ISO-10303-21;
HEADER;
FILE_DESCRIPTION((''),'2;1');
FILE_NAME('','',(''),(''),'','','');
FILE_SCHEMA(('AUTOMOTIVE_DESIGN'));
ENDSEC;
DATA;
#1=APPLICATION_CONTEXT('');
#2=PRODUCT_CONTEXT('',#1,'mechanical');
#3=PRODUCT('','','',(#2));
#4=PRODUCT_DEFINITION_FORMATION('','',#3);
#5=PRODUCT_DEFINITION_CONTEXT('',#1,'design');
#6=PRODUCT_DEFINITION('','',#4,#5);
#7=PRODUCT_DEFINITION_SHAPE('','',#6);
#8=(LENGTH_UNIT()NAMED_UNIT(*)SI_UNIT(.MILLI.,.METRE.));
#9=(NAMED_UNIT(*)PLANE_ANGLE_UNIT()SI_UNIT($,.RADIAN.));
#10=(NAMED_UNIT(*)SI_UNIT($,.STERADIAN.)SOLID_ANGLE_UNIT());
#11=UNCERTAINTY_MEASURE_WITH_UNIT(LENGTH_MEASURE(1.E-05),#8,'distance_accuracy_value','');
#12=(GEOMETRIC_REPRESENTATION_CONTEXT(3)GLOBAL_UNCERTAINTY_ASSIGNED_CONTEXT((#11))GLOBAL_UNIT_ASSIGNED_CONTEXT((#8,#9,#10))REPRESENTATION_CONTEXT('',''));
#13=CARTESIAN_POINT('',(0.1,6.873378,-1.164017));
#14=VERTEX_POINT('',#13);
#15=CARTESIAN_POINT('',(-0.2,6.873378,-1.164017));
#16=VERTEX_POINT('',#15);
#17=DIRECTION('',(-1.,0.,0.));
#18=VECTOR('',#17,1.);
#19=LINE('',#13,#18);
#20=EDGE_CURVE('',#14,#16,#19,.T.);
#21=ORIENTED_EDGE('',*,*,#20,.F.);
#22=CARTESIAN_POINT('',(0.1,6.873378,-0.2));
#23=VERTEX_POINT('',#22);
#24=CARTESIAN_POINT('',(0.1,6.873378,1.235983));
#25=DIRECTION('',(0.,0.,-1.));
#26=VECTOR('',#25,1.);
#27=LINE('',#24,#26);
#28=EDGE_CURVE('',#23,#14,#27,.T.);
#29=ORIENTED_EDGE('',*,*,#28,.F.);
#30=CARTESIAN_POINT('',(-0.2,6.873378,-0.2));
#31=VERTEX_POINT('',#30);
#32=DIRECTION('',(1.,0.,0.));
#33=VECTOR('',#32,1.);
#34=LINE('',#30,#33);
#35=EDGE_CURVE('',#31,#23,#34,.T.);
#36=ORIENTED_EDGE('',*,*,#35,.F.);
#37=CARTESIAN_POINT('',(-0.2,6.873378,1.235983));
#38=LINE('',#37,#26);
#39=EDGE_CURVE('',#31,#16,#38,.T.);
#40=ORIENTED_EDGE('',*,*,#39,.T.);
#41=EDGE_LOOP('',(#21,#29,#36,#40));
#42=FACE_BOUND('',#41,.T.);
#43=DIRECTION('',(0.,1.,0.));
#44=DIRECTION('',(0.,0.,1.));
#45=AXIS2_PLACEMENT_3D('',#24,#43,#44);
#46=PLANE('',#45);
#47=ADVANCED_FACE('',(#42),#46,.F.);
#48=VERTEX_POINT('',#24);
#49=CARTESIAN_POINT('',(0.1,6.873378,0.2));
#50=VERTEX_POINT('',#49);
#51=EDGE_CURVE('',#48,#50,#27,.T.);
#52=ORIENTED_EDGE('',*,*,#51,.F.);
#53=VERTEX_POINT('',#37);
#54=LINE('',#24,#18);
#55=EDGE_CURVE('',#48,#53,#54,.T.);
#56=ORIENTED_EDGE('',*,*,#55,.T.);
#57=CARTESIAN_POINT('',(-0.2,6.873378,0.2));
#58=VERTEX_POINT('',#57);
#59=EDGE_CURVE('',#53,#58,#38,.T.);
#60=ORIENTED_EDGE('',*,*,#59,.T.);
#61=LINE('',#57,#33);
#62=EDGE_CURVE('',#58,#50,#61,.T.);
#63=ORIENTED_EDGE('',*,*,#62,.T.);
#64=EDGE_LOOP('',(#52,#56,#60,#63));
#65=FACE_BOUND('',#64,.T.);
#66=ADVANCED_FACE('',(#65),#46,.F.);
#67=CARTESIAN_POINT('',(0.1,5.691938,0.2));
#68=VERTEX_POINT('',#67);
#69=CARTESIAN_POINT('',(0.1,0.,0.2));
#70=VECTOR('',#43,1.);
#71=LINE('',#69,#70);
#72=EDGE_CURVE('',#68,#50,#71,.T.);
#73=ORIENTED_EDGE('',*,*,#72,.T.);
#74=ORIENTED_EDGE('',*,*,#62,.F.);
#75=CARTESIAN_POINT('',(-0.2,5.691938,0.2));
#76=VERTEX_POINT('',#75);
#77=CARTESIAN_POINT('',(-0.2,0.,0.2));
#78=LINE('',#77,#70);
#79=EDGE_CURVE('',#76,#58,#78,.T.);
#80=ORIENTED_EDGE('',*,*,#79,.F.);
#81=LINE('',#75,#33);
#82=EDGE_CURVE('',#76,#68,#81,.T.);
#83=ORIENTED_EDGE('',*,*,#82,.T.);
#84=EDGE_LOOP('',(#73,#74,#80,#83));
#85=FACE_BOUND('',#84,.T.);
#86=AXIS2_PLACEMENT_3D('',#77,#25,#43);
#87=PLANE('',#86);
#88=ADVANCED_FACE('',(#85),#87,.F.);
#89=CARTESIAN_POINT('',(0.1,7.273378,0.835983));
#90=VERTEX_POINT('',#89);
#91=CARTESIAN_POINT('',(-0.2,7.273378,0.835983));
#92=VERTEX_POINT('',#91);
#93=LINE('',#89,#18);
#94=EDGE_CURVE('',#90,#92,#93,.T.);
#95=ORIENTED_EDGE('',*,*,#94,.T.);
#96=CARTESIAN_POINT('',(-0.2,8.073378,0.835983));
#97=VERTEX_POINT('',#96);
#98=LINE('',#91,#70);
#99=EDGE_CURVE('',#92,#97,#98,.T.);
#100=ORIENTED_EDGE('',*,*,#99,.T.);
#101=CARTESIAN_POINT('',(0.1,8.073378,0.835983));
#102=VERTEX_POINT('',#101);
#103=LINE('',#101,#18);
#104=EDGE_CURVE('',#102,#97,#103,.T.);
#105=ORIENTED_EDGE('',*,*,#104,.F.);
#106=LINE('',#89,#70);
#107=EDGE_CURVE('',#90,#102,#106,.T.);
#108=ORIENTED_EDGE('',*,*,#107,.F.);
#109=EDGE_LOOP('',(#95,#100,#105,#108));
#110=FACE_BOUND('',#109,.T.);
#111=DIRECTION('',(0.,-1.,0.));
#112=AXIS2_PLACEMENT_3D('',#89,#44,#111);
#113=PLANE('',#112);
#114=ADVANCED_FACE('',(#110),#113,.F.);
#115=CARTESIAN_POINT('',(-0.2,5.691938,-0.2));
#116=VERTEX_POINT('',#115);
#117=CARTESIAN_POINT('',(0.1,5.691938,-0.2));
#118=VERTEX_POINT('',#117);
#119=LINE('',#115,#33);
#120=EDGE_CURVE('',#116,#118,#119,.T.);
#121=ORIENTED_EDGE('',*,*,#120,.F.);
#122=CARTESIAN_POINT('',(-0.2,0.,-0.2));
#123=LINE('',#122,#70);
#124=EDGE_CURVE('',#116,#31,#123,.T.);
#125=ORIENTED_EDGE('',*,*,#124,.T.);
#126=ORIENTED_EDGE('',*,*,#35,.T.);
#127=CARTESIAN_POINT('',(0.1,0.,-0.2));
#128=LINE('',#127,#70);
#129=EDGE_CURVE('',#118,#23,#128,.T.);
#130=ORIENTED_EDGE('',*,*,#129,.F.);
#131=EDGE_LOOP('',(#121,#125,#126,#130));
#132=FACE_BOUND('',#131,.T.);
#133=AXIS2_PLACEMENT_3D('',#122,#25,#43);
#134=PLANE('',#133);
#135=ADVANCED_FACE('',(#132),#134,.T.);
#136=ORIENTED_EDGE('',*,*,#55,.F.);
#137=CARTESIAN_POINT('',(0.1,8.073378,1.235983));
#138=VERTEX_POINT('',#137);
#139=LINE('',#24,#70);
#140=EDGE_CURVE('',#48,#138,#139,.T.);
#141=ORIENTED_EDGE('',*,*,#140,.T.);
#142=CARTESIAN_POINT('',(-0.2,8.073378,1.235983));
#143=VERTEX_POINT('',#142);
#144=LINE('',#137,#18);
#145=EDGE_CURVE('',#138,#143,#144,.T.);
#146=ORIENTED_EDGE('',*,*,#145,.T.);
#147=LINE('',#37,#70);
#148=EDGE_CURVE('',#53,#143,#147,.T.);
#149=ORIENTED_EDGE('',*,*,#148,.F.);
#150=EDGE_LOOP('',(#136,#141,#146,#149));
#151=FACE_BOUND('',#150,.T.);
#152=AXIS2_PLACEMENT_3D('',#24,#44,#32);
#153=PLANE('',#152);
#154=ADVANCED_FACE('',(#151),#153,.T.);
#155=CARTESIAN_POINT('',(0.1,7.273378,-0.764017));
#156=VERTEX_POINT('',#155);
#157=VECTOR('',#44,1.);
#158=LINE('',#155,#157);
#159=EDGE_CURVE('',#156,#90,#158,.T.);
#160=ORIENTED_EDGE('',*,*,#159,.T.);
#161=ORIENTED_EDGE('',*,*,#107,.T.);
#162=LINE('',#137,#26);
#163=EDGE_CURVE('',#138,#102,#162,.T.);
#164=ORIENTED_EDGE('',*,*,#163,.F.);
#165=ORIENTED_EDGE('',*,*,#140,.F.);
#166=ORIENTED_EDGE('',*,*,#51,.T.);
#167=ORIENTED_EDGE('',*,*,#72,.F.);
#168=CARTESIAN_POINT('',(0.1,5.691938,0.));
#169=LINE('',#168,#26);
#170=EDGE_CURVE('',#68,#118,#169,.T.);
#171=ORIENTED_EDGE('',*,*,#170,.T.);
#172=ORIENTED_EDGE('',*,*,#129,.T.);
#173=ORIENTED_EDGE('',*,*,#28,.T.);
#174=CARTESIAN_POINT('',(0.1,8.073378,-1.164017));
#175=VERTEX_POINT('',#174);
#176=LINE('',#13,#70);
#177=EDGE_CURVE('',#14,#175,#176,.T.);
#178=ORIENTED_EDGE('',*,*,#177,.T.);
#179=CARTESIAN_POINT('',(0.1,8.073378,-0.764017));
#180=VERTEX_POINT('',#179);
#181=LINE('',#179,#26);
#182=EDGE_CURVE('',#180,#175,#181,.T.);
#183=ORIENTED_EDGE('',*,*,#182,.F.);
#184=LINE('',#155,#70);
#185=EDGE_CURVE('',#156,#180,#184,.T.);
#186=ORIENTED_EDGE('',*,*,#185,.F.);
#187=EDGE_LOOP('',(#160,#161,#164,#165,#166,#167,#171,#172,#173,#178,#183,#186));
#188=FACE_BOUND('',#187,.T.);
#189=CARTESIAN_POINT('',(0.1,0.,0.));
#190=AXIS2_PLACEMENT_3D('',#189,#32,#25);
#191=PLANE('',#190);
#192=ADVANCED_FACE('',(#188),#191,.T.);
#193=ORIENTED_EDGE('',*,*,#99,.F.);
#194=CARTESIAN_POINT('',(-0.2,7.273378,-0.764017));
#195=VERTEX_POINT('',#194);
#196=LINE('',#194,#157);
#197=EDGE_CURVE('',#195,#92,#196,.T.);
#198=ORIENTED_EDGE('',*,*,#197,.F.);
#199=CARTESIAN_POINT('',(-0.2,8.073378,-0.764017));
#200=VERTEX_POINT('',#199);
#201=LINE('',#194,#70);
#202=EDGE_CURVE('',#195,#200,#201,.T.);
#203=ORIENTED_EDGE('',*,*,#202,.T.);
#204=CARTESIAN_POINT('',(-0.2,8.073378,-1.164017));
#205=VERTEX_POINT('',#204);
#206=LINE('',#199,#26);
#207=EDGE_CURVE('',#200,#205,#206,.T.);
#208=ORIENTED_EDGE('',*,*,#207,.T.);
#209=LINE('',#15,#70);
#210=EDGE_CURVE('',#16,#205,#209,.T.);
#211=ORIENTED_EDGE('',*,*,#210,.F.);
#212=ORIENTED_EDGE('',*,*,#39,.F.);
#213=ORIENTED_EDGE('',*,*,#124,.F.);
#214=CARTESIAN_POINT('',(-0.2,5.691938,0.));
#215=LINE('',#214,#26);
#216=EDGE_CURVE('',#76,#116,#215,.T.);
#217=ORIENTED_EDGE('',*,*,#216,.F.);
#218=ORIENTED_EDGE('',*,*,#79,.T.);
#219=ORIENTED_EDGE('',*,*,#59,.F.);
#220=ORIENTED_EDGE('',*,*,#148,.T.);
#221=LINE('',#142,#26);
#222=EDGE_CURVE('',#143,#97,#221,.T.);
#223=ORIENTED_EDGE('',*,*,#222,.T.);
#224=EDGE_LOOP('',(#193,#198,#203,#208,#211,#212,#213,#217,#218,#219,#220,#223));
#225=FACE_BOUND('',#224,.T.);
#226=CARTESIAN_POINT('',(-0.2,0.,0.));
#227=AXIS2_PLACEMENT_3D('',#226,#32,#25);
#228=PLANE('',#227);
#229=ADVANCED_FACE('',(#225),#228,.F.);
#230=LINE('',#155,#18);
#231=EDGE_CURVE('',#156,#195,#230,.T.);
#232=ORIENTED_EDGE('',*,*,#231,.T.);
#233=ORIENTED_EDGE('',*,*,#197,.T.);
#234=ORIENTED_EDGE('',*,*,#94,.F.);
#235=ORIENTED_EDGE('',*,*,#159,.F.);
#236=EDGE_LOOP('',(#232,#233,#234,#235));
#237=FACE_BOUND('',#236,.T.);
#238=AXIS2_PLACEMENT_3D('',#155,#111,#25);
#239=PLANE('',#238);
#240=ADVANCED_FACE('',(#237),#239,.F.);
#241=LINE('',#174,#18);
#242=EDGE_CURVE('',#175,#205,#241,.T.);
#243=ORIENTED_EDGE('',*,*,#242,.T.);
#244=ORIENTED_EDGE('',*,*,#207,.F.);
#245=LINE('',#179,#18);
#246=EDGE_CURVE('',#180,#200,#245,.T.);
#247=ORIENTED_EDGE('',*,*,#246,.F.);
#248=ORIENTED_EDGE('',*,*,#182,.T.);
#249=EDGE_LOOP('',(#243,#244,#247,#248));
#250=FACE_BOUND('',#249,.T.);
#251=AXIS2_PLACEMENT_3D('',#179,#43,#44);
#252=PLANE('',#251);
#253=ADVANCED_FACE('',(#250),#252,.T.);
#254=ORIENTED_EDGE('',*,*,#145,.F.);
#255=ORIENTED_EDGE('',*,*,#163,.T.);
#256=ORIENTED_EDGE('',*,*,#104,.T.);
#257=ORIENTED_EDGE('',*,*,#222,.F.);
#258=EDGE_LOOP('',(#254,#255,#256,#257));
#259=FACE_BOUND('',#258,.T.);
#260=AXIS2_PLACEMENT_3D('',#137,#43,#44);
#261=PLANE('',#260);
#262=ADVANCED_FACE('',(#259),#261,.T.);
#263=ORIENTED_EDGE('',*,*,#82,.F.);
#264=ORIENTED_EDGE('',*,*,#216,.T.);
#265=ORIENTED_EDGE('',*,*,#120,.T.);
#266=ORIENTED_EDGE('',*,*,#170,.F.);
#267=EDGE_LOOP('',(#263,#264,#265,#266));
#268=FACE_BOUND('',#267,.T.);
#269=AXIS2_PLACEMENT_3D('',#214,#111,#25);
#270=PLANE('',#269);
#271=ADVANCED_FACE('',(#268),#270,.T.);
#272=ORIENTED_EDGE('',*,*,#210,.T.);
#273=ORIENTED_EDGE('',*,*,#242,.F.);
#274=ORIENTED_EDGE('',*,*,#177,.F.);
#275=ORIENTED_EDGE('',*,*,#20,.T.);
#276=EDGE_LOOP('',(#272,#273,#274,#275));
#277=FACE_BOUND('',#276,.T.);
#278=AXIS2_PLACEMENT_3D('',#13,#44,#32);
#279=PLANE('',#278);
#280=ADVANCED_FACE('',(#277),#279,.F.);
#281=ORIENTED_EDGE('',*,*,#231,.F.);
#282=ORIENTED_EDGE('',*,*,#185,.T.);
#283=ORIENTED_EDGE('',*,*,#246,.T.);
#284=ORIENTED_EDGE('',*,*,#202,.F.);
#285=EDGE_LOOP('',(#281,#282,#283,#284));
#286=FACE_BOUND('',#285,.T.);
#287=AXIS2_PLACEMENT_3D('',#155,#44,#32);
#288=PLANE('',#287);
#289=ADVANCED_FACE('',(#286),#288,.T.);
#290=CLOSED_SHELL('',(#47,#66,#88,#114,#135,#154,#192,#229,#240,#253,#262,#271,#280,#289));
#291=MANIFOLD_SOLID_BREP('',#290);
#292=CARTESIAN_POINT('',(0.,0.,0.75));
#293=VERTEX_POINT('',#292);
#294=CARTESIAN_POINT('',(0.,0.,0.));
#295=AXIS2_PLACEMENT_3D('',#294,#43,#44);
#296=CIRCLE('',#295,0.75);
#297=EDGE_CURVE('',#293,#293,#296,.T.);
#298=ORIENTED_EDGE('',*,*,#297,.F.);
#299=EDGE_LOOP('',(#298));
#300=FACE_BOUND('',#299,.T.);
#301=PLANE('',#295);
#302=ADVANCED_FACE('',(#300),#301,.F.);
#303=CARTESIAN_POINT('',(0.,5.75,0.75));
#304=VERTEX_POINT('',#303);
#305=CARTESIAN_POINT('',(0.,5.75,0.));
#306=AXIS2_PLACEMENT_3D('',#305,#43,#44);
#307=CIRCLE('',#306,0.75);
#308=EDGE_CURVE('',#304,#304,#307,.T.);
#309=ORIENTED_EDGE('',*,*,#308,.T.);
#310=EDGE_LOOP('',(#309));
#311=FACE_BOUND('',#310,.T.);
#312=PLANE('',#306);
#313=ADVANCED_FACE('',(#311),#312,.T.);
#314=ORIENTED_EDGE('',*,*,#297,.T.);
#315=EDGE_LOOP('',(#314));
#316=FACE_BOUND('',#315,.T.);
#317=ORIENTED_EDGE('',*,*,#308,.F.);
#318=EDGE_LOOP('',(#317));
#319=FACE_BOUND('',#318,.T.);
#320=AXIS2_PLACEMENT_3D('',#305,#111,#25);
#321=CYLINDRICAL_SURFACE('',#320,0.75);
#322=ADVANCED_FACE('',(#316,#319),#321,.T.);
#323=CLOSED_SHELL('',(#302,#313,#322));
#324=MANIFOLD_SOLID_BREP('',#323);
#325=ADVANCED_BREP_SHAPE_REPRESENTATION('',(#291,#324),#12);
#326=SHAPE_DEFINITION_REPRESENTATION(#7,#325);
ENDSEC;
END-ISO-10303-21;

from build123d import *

# Parameters (mm, degrees)
SKETCH_1_R           = 0.75
EXTRUDE_1_DEPTH      = 5.75
EXTRUDE_3_DEPTH      = 0.1
EXTRUDE_3_DEPTH_BACK = 0.2


with BuildPart() as part:
    # 草图1 → 凸台-拉伸1 (new body)
    with BuildSketch(Plane(origin=(0, 0, 0), x_dir=(1, 0, 0), z_dir=(0, 1, 0))):
        Circle(SKETCH_1_R)
    extrude(amount=EXTRUDE_1_DEPTH)


with BuildPart() as body_2:
    # 草图2 → 凸台-拉伸3 (new body, two sides)
    with BuildSketch(Plane(origin=(0, 0, 0), x_dir=(0, 0, -1), z_dir=(1, 0, 0))) as extrude_3_sk:
        Polygon((-1.235982944, 8.073377801), (-1.235982944, 6.873377801), (-0.2, 6.873377801), (-0.2, 5.691937795), (0.2, 5.691937795), (0.2, 6.873377801), (1.164017056, 6.873377801), (1.164017056, 8.073377801), (0.764017056, 8.073377801), (0.764017056, 7.273377801), (-0.835982944, 7.273377801), (-0.835982944, 8.073377801), align=None)
    extrude(amount=EXTRUDE_3_DEPTH)
    extrude(extrude_3_sk.sketch, amount=-EXTRUDE_3_DEPTH_BACK)


solid = Compound([part.part, body_2.part])
